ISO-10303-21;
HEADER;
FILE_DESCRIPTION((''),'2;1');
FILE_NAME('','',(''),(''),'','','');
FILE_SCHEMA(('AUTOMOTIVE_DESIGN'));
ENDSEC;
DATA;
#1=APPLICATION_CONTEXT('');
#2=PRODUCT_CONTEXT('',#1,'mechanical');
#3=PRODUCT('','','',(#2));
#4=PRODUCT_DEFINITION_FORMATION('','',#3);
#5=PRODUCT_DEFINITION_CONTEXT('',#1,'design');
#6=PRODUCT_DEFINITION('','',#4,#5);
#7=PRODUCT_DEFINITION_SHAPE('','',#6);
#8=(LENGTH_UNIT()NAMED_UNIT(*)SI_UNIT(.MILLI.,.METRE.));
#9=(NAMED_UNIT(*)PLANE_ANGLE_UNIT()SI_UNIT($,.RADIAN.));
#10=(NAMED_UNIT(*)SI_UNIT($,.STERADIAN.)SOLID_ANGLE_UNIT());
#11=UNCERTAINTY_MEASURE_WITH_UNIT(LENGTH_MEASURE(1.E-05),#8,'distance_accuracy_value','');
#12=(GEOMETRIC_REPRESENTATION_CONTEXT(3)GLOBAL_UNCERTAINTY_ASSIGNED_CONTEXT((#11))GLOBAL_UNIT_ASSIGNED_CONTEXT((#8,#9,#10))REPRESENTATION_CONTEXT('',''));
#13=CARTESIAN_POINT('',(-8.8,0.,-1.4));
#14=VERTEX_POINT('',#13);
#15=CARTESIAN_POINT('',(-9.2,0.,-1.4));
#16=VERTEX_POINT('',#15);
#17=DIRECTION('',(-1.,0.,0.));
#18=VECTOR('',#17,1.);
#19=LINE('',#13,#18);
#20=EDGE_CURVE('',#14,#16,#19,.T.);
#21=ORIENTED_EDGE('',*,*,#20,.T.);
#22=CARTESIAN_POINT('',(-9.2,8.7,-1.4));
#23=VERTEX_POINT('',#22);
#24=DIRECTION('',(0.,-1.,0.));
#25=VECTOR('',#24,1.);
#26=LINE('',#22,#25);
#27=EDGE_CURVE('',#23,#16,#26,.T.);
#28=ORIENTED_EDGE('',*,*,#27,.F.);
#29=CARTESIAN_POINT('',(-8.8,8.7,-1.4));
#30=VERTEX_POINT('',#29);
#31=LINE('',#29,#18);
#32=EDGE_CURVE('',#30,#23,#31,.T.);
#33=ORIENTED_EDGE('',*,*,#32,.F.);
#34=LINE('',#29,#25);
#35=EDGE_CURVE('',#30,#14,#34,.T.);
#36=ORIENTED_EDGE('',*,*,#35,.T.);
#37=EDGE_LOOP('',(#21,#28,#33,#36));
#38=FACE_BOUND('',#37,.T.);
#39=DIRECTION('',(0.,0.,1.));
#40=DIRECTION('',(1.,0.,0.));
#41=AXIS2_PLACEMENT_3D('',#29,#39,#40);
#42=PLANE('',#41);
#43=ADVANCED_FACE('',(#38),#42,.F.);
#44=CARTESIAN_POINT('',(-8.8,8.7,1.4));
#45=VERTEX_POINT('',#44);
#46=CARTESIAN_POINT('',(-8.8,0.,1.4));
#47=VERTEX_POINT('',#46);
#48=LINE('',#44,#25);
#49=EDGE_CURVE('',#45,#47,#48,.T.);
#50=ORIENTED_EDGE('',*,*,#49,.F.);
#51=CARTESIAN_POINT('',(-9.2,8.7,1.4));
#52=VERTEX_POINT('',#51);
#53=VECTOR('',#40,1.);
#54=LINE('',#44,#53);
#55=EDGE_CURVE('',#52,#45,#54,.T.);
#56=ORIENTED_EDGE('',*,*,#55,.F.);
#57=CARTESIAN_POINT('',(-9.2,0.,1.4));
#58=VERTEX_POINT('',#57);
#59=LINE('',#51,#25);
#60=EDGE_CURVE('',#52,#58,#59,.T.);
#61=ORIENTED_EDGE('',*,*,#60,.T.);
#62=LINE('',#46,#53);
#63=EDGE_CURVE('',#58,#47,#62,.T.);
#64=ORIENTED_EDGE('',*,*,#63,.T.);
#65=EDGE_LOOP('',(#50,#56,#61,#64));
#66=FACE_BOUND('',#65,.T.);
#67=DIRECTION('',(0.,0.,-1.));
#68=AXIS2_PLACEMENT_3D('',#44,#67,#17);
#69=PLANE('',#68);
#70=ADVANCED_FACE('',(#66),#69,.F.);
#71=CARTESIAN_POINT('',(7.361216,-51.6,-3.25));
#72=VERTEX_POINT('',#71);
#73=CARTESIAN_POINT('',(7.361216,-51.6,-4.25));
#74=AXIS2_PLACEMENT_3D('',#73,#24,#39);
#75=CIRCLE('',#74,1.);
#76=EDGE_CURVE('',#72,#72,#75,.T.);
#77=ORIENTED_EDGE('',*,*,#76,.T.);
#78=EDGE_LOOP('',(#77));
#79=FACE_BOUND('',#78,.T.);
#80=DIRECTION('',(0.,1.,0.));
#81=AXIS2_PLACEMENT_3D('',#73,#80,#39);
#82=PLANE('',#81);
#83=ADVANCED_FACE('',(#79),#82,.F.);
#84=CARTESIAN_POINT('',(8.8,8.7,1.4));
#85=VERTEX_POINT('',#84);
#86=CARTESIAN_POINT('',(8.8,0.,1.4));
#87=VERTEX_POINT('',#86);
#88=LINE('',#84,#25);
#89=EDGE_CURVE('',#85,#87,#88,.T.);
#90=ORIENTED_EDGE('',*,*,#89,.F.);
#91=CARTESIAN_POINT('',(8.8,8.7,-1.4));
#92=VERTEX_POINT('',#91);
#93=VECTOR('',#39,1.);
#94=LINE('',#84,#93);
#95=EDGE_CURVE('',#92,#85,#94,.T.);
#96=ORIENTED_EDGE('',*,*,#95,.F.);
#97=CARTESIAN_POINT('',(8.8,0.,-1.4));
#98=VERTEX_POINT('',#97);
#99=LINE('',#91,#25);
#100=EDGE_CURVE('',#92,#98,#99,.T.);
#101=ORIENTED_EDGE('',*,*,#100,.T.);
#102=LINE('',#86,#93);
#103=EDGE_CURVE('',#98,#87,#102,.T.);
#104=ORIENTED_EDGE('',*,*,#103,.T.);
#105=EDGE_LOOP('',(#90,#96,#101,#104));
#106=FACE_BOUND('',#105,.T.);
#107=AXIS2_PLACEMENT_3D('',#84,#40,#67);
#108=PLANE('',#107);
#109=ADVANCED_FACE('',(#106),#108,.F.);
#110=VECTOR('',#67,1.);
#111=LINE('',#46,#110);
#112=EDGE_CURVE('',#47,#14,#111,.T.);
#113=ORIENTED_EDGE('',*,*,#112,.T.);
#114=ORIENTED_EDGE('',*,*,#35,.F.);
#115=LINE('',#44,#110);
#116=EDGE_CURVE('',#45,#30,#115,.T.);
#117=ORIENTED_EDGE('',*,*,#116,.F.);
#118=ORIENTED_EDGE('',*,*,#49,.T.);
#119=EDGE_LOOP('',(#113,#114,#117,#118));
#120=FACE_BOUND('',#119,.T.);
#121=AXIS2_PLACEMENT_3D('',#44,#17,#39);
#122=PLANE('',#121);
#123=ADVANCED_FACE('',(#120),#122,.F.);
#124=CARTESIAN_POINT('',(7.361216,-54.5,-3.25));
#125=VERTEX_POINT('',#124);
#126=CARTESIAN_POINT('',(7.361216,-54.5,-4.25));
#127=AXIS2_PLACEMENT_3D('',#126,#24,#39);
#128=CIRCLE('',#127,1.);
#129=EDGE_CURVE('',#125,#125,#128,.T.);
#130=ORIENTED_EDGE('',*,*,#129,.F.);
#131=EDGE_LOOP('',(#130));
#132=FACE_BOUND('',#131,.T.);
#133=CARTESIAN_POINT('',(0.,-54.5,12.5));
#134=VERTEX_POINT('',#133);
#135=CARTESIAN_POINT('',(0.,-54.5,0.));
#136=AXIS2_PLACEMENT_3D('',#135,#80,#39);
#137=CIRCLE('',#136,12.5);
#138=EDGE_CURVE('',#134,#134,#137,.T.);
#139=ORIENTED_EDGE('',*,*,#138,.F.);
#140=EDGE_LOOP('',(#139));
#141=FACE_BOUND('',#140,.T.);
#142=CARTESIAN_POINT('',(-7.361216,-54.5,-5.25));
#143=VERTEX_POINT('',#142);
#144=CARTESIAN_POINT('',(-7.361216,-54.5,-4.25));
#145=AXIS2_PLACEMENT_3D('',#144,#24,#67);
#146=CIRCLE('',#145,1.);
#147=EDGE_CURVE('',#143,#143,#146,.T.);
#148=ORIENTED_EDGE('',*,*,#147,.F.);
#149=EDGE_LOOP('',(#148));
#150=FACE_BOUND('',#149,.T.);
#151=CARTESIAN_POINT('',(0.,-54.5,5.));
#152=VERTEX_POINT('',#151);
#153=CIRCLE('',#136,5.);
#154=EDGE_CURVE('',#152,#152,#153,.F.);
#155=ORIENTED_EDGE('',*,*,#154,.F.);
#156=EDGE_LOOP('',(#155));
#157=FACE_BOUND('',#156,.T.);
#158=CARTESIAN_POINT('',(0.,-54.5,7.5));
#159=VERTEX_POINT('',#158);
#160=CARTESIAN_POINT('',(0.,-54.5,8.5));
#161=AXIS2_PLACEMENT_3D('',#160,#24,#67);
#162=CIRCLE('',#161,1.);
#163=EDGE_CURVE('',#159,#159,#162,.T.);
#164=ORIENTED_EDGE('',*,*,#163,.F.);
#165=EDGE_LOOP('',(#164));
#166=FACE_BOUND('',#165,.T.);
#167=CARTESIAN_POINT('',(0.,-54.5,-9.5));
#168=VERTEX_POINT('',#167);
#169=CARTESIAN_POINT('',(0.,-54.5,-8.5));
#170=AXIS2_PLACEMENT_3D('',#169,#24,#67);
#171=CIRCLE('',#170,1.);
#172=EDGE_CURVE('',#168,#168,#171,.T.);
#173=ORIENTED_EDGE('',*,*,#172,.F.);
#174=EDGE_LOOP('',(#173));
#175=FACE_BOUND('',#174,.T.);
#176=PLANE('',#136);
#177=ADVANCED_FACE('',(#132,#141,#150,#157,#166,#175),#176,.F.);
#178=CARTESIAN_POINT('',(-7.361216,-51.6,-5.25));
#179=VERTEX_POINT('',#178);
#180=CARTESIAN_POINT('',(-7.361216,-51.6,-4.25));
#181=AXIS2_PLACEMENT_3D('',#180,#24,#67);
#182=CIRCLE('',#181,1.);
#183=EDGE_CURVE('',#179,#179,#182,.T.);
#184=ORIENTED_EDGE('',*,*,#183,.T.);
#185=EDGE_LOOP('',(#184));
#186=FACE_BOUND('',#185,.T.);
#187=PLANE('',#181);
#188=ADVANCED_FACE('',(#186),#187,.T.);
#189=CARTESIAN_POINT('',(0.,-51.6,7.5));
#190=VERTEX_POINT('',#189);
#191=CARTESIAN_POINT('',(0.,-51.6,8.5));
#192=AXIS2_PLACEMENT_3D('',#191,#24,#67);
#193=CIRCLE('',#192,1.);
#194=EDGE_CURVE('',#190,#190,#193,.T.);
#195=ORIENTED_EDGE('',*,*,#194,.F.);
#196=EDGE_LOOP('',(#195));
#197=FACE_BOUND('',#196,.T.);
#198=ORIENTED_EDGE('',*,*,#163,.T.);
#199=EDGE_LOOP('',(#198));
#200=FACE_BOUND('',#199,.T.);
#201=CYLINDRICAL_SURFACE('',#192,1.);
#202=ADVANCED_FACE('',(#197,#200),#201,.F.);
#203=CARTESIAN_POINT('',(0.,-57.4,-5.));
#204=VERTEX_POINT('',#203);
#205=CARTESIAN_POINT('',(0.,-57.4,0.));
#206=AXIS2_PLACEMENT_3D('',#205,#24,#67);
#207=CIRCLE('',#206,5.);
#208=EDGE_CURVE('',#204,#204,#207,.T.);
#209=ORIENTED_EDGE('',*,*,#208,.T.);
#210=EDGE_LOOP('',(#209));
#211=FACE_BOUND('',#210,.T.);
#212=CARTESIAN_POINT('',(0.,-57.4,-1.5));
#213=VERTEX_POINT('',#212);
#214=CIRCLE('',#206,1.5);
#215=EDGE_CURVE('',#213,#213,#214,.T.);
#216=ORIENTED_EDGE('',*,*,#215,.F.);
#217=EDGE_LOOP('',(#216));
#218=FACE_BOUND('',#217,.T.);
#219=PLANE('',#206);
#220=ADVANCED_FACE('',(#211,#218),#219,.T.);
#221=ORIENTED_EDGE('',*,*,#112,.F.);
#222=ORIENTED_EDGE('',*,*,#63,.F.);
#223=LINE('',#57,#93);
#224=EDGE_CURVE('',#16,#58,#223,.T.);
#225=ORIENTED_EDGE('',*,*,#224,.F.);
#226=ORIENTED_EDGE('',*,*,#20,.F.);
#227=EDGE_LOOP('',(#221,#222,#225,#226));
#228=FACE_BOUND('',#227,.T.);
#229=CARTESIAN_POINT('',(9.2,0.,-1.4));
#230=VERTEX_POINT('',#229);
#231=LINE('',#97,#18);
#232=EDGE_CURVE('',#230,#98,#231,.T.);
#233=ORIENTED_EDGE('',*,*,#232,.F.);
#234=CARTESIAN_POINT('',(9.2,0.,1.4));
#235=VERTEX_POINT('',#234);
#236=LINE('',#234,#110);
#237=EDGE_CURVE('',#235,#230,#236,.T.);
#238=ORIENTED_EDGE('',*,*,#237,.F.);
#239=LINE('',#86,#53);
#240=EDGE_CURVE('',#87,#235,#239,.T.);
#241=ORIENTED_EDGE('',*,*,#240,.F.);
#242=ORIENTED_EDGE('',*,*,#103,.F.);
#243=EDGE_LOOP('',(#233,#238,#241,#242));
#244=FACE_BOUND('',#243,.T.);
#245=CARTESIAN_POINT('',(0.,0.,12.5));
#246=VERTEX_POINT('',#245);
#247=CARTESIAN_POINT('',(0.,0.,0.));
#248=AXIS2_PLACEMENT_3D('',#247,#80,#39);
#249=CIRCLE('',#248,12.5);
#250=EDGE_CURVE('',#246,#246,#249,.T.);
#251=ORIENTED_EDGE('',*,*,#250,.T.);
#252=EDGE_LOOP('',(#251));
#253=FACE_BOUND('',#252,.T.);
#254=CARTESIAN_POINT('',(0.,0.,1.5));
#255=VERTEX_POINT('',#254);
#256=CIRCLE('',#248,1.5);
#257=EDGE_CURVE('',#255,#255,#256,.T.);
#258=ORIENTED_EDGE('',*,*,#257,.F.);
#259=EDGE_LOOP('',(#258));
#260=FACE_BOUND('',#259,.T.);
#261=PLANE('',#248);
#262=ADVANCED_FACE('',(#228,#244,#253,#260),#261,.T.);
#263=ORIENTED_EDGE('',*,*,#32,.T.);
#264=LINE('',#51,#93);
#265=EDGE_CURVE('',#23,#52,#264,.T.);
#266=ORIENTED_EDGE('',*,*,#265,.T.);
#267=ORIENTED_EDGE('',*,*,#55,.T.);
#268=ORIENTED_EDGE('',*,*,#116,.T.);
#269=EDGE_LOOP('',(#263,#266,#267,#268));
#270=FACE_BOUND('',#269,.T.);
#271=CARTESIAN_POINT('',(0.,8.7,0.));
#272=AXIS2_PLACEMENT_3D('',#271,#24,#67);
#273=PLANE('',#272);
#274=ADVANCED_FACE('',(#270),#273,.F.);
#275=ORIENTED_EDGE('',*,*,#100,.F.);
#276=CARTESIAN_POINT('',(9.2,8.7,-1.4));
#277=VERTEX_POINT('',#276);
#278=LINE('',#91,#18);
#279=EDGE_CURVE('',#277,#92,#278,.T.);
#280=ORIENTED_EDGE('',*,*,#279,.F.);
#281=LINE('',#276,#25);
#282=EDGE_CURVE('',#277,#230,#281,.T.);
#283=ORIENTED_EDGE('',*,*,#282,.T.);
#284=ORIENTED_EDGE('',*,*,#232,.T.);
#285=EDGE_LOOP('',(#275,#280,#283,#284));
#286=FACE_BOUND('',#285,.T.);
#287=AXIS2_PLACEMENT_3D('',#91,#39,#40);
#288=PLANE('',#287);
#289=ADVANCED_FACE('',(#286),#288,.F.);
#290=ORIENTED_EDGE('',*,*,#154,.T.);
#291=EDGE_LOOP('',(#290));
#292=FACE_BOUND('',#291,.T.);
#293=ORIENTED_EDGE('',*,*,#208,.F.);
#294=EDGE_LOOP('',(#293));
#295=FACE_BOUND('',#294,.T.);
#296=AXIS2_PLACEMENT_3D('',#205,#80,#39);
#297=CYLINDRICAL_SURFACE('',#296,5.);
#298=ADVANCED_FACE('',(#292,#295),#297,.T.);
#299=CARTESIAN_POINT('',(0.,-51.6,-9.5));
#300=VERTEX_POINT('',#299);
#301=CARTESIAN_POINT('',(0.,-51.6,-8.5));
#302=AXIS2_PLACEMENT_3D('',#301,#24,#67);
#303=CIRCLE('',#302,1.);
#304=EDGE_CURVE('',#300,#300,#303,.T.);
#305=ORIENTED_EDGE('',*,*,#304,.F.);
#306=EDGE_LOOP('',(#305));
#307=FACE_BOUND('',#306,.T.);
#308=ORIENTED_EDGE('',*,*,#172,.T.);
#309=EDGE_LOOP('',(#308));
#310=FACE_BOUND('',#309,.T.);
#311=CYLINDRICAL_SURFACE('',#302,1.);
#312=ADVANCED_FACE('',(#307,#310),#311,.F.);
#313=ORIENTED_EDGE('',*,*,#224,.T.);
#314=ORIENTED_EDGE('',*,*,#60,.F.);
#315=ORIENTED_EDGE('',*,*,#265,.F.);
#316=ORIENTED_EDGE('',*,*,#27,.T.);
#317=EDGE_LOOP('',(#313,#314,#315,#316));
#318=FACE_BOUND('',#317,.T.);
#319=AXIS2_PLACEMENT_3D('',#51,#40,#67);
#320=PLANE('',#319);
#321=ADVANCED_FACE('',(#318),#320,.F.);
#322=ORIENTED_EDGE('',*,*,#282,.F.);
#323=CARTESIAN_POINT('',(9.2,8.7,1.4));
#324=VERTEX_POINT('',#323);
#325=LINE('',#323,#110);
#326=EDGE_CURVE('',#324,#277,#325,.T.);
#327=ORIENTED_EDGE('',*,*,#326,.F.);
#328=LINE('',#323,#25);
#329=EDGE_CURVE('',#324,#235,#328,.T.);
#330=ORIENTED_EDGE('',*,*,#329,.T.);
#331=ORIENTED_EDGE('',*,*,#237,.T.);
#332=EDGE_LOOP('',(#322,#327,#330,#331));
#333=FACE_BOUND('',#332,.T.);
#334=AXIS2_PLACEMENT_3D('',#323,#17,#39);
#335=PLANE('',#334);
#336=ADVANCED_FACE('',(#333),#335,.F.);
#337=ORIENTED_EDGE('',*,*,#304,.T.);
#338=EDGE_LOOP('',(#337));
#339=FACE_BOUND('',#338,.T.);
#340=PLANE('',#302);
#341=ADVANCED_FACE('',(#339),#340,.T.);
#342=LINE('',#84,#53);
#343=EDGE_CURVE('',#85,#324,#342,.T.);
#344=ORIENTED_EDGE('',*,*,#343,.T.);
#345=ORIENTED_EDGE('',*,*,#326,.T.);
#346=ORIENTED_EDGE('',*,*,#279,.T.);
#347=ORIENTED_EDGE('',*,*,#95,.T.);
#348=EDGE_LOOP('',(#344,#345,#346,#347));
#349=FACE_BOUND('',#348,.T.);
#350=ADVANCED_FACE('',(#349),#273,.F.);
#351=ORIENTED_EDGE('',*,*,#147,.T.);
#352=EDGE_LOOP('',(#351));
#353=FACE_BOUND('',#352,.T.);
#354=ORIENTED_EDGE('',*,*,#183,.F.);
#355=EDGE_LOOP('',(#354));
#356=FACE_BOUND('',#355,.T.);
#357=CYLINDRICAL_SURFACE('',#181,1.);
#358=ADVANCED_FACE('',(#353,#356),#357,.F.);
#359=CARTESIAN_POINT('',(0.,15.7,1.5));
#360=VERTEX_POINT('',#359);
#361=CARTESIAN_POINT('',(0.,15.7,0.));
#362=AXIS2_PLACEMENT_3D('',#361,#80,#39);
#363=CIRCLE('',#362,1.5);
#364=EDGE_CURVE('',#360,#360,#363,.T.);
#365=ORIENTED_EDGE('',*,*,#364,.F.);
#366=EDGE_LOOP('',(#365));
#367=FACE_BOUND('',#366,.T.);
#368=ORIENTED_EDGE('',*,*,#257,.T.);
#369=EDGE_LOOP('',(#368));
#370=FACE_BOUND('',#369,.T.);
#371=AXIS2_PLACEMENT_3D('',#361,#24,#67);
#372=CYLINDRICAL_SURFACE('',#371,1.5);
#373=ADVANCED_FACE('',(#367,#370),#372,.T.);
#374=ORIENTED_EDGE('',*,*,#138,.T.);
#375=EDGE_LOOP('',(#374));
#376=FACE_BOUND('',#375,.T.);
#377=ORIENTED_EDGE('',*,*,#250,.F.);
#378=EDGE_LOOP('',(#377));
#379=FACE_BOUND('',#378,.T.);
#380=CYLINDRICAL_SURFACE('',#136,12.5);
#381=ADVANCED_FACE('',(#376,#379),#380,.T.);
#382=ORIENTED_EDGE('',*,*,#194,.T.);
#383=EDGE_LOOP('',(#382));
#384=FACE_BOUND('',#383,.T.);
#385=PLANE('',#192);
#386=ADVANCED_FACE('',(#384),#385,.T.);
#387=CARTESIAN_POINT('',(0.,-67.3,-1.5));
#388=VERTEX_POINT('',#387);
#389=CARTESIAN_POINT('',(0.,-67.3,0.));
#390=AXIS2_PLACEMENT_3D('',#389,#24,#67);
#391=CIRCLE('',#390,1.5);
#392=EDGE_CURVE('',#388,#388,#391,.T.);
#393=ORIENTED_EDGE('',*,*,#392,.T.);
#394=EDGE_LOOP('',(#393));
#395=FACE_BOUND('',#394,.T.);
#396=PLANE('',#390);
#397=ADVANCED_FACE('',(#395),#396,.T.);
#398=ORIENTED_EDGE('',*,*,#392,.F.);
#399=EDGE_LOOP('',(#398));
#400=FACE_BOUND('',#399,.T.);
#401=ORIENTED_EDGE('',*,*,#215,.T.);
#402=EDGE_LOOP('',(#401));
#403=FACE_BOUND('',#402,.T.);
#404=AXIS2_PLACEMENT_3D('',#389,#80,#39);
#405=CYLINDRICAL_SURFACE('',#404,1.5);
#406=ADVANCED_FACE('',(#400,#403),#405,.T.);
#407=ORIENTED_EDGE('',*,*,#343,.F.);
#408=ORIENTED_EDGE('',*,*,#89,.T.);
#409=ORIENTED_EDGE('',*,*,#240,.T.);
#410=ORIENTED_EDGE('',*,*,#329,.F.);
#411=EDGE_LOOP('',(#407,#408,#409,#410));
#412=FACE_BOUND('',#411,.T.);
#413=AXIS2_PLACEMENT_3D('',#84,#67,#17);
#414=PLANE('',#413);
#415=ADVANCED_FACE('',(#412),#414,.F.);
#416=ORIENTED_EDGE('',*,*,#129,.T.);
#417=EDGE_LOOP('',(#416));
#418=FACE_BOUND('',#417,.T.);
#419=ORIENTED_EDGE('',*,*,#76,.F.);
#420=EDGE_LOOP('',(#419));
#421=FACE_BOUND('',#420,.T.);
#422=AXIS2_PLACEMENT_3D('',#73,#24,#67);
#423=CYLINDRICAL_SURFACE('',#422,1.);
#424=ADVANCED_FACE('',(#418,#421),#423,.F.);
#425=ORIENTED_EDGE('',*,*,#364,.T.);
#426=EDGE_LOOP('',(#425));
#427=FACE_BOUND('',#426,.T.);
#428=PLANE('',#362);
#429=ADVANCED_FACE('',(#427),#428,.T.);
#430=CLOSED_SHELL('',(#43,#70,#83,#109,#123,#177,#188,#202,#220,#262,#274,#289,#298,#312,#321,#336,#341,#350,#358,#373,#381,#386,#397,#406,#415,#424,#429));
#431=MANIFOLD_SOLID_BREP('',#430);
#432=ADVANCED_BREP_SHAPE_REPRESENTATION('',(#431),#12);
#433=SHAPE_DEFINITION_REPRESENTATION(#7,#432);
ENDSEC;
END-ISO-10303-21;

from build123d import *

# Parameters (mm, degrees)
SKETCH1_R           = 12.5
BOSS_EXTRUDE1_DEPTH = 54.5
SKETCH2_R           = 1.5
BOSS_EXTRUDE2_DEPTH = 12.8
BOSS_EXTRUDE3_START = 15.7
SKETCH3_R           = 1.5
BOSS_EXTRUDE3_DEPTH = 15.7
SKETCH4_W           = 0.4
SKETCH4_H           = 2.8
BOSS_EXTRUDE4_DEPTH = 8.7
SKETCH5_R           = 1
CUT_EXTRUDE1_DEPTH  = 2.9
SKETCH6_R           = 5
BOSS_EXTRUDE5_DEPTH = 2.9


with BuildPart() as part:
    # Sketch1 → Boss-Extrude1 (new body)
    with BuildSketch(Plane(origin=(0, 0, 0), x_dir=(1, 0, 0), z_dir=(0, 1, 0))):
        with Locations(Location((0, 0, 0), (0, 0, 270))):
            Circle(SKETCH1_R)
    extrude(amount=-BOSS_EXTRUDE1_DEPTH)

    # Sketch2 → Boss-Extrude2 (add)
    with BuildSketch(Plane.XZ.offset(54.5)):
        with Locations(Location((0, 0, 0), (0, 0, 90))):
            Circle(SKETCH2_R)
    extrude(amount=BOSS_EXTRUDE2_DEPTH)

    # Sketch3 → Boss-Extrude3 (add)
    with BuildSketch(Plane(origin=(0, 0, 0), x_dir=(1, 0, 0), z_dir=(0, 1, 0)).offset(BOSS_EXTRUDE3_START)):
        with Locations(Location((0, 0, 0), (0, 0, 270))):
            Circle(SKETCH3_R)
    extrude(amount=-BOSS_EXTRUDE3_DEPTH)

    # Sketch4 → Boss-Extrude4 (add)
    with BuildSketch(Plane(origin=(0, 0, 0), x_dir=(1, 0, 0), z_dir=(0, 1, 0))):
        with Locations((9, 0)):
            Rectangle(SKETCH4_W, SKETCH4_H)
        with Locations((-9, 0)):
            Rectangle(SKETCH4_W, SKETCH4_H)
    extrude(amount=BOSS_EXTRUDE4_DEPTH)

    # Sketch5 → Cut-Extrude1 (cut)
    with BuildSketch(Plane.XZ.offset(54.5)):
        with Locations(Location((0, 8.5, 0), (0, 0, 270))):
            Circle(SKETCH5_R)
        with Locations(Location((0, -8.5, 0), (0, 0, 270))):
            Circle(SKETCH5_R)
        with Locations(Location((-7.361215932, -4.25, 0), (0, 0, 270))):
            Circle(SKETCH5_R)
        with Locations(Location((7.361215932, -4.25, 0), (0, 0, 90))):
            Circle(SKETCH5_R)
    extrude(amount=-CUT_EXTRUDE1_DEPTH, mode=Mode.SUBTRACT)

    # Sketch6 → Boss-Extrude5 (add)
    with BuildSketch(Plane.XZ.offset(54.5)):
        with Locations(Location((0, 0, 0), (0, 0, 90))):
            Circle(SKETCH6_R)
    extrude(amount=BOSS_EXTRUDE5_DEPTH)


solid = part.part
